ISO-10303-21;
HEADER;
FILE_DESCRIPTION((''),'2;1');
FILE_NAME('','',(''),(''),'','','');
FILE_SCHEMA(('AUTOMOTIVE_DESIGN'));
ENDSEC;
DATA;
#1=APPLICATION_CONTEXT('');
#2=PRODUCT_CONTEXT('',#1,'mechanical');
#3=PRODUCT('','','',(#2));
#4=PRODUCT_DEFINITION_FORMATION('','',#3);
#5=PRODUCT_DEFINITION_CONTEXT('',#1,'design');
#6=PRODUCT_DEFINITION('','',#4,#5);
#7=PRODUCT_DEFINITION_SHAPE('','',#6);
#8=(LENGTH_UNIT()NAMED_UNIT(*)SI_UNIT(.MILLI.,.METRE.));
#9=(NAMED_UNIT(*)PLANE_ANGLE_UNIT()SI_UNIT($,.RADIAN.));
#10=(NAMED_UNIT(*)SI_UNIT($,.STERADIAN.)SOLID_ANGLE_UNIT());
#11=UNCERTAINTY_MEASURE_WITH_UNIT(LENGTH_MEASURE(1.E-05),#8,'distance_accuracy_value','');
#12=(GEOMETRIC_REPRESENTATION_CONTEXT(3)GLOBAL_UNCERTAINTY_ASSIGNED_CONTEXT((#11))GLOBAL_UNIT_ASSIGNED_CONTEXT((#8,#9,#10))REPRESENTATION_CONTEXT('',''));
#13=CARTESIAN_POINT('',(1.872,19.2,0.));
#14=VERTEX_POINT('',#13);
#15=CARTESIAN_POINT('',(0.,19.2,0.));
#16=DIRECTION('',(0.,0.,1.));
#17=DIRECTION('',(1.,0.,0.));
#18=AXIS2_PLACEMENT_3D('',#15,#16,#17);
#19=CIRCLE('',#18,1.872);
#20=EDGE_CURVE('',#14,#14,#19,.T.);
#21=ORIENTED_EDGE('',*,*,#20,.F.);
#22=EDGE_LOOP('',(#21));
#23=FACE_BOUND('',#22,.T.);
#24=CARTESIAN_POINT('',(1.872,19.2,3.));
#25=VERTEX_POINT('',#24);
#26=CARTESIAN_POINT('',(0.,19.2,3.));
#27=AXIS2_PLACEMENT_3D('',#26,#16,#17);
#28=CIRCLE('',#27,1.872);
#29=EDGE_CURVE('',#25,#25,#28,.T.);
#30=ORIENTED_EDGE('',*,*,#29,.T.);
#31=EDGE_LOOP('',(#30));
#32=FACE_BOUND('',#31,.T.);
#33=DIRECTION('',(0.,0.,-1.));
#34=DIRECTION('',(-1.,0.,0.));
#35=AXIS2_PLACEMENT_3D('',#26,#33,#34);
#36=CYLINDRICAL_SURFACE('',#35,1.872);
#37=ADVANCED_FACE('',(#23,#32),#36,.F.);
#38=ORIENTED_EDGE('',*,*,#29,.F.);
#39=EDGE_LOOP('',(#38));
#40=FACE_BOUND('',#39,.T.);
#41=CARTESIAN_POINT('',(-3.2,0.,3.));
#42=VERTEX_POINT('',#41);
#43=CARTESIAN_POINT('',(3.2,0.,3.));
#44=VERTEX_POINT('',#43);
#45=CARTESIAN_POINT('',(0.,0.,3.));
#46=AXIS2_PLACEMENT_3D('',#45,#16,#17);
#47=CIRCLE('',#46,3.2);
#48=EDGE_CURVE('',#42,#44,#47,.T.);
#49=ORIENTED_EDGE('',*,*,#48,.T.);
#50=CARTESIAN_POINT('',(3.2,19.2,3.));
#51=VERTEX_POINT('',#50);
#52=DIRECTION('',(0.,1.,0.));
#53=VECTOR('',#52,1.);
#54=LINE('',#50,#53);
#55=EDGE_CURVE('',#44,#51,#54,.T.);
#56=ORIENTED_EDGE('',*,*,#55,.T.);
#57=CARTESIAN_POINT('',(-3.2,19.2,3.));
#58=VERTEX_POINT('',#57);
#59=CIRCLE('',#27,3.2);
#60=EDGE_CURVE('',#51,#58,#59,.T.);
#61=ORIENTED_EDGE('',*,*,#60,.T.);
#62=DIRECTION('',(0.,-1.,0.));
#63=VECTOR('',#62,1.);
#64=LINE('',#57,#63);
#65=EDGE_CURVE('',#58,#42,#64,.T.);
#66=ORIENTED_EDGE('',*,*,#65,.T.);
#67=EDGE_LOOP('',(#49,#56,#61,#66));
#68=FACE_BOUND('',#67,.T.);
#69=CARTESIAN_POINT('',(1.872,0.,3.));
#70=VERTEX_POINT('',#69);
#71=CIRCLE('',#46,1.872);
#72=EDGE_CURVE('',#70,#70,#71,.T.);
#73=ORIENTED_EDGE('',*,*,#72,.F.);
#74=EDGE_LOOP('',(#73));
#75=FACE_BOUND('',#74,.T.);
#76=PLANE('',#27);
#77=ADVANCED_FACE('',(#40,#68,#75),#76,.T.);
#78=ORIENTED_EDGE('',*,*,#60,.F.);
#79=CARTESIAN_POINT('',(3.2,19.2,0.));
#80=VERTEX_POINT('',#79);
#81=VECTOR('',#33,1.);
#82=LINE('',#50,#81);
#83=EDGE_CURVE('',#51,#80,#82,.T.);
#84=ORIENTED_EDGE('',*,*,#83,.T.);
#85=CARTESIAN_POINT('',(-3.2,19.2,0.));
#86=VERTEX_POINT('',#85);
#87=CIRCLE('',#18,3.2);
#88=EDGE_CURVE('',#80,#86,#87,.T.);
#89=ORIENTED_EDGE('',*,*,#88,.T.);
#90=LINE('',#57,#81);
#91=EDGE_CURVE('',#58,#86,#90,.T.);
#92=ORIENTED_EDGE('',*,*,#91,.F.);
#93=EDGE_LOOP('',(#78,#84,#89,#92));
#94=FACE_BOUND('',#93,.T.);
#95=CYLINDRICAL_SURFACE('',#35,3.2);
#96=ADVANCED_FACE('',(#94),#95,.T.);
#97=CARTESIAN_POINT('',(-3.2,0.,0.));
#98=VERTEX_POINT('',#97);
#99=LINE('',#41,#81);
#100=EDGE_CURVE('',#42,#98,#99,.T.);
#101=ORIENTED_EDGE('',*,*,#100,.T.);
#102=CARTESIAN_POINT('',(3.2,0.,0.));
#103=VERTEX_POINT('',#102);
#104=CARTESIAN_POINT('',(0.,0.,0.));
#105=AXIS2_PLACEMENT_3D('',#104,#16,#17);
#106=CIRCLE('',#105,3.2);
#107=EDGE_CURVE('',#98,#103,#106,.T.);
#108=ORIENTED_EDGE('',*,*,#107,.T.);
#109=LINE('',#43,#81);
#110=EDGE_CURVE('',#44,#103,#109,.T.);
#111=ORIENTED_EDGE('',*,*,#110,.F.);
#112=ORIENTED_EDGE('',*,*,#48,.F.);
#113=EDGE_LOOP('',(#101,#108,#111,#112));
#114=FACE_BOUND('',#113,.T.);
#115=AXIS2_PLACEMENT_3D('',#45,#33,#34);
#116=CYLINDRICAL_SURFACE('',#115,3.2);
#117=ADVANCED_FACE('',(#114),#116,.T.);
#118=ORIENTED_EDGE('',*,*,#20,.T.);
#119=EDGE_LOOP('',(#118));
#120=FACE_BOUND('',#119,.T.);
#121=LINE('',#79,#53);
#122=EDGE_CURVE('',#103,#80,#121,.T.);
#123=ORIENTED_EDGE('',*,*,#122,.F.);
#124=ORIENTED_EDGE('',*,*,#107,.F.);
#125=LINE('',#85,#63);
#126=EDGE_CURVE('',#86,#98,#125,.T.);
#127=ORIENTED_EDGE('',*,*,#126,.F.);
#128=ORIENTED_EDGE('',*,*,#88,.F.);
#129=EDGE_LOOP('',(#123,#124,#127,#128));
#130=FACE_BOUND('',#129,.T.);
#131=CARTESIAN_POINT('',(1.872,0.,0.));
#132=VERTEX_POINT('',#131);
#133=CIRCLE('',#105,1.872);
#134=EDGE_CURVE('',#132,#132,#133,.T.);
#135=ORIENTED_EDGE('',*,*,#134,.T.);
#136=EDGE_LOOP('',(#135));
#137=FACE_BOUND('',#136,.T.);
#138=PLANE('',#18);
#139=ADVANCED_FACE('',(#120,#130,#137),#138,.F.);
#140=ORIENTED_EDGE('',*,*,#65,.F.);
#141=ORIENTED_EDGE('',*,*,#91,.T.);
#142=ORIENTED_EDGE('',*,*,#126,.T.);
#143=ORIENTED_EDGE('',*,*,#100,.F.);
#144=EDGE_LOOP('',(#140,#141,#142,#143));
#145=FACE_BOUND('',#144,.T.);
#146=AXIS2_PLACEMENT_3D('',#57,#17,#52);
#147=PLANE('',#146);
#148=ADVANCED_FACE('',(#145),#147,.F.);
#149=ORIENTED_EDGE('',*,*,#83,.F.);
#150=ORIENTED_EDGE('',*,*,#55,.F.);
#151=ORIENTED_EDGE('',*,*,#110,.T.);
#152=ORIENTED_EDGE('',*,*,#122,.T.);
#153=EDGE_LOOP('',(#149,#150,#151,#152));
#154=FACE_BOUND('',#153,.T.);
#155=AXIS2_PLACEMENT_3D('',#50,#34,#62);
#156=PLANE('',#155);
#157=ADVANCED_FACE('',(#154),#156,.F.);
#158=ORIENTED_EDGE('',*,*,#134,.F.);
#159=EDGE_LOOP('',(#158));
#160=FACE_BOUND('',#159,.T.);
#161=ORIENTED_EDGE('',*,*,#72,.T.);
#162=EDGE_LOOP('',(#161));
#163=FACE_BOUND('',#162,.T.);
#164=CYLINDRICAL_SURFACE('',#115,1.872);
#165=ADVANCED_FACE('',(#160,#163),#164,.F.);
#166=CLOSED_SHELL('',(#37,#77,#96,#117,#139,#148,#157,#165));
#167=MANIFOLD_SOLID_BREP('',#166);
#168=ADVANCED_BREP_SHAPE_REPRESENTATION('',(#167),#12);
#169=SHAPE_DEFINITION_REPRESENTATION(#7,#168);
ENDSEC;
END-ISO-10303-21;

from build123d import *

# Parameters (mm, degrees)
SKETCH1_R           = 1.872
BOSS_EXTRUDE1_DEPTH = 3


with BuildPart() as part:
    # Sketch1 → Boss-Extrude1 (new body)
    with BuildSketch(Plane.XY):
        with BuildLine():
            Line((-3.2, 19.2), (-3.2, 0))
            ThreePointArc((-3.2, 0), (0, -3.2), (3.2, 0))
            Line((3.2, 0), (3.2, 19.2))
            ThreePointArc((3.2, 19.2), (0, 22.4), (-3.2, 19.2))
        make_face()
        Circle(SKETCH1_R, mode=Mode.SUBTRACT)
        with Locations((0, 19.2)):
            Circle(SKETCH1_R, mode=Mode.SUBTRACT)
    extrude(amount=BOSS_EXTRUDE1_DEPTH)


solid = part.part
